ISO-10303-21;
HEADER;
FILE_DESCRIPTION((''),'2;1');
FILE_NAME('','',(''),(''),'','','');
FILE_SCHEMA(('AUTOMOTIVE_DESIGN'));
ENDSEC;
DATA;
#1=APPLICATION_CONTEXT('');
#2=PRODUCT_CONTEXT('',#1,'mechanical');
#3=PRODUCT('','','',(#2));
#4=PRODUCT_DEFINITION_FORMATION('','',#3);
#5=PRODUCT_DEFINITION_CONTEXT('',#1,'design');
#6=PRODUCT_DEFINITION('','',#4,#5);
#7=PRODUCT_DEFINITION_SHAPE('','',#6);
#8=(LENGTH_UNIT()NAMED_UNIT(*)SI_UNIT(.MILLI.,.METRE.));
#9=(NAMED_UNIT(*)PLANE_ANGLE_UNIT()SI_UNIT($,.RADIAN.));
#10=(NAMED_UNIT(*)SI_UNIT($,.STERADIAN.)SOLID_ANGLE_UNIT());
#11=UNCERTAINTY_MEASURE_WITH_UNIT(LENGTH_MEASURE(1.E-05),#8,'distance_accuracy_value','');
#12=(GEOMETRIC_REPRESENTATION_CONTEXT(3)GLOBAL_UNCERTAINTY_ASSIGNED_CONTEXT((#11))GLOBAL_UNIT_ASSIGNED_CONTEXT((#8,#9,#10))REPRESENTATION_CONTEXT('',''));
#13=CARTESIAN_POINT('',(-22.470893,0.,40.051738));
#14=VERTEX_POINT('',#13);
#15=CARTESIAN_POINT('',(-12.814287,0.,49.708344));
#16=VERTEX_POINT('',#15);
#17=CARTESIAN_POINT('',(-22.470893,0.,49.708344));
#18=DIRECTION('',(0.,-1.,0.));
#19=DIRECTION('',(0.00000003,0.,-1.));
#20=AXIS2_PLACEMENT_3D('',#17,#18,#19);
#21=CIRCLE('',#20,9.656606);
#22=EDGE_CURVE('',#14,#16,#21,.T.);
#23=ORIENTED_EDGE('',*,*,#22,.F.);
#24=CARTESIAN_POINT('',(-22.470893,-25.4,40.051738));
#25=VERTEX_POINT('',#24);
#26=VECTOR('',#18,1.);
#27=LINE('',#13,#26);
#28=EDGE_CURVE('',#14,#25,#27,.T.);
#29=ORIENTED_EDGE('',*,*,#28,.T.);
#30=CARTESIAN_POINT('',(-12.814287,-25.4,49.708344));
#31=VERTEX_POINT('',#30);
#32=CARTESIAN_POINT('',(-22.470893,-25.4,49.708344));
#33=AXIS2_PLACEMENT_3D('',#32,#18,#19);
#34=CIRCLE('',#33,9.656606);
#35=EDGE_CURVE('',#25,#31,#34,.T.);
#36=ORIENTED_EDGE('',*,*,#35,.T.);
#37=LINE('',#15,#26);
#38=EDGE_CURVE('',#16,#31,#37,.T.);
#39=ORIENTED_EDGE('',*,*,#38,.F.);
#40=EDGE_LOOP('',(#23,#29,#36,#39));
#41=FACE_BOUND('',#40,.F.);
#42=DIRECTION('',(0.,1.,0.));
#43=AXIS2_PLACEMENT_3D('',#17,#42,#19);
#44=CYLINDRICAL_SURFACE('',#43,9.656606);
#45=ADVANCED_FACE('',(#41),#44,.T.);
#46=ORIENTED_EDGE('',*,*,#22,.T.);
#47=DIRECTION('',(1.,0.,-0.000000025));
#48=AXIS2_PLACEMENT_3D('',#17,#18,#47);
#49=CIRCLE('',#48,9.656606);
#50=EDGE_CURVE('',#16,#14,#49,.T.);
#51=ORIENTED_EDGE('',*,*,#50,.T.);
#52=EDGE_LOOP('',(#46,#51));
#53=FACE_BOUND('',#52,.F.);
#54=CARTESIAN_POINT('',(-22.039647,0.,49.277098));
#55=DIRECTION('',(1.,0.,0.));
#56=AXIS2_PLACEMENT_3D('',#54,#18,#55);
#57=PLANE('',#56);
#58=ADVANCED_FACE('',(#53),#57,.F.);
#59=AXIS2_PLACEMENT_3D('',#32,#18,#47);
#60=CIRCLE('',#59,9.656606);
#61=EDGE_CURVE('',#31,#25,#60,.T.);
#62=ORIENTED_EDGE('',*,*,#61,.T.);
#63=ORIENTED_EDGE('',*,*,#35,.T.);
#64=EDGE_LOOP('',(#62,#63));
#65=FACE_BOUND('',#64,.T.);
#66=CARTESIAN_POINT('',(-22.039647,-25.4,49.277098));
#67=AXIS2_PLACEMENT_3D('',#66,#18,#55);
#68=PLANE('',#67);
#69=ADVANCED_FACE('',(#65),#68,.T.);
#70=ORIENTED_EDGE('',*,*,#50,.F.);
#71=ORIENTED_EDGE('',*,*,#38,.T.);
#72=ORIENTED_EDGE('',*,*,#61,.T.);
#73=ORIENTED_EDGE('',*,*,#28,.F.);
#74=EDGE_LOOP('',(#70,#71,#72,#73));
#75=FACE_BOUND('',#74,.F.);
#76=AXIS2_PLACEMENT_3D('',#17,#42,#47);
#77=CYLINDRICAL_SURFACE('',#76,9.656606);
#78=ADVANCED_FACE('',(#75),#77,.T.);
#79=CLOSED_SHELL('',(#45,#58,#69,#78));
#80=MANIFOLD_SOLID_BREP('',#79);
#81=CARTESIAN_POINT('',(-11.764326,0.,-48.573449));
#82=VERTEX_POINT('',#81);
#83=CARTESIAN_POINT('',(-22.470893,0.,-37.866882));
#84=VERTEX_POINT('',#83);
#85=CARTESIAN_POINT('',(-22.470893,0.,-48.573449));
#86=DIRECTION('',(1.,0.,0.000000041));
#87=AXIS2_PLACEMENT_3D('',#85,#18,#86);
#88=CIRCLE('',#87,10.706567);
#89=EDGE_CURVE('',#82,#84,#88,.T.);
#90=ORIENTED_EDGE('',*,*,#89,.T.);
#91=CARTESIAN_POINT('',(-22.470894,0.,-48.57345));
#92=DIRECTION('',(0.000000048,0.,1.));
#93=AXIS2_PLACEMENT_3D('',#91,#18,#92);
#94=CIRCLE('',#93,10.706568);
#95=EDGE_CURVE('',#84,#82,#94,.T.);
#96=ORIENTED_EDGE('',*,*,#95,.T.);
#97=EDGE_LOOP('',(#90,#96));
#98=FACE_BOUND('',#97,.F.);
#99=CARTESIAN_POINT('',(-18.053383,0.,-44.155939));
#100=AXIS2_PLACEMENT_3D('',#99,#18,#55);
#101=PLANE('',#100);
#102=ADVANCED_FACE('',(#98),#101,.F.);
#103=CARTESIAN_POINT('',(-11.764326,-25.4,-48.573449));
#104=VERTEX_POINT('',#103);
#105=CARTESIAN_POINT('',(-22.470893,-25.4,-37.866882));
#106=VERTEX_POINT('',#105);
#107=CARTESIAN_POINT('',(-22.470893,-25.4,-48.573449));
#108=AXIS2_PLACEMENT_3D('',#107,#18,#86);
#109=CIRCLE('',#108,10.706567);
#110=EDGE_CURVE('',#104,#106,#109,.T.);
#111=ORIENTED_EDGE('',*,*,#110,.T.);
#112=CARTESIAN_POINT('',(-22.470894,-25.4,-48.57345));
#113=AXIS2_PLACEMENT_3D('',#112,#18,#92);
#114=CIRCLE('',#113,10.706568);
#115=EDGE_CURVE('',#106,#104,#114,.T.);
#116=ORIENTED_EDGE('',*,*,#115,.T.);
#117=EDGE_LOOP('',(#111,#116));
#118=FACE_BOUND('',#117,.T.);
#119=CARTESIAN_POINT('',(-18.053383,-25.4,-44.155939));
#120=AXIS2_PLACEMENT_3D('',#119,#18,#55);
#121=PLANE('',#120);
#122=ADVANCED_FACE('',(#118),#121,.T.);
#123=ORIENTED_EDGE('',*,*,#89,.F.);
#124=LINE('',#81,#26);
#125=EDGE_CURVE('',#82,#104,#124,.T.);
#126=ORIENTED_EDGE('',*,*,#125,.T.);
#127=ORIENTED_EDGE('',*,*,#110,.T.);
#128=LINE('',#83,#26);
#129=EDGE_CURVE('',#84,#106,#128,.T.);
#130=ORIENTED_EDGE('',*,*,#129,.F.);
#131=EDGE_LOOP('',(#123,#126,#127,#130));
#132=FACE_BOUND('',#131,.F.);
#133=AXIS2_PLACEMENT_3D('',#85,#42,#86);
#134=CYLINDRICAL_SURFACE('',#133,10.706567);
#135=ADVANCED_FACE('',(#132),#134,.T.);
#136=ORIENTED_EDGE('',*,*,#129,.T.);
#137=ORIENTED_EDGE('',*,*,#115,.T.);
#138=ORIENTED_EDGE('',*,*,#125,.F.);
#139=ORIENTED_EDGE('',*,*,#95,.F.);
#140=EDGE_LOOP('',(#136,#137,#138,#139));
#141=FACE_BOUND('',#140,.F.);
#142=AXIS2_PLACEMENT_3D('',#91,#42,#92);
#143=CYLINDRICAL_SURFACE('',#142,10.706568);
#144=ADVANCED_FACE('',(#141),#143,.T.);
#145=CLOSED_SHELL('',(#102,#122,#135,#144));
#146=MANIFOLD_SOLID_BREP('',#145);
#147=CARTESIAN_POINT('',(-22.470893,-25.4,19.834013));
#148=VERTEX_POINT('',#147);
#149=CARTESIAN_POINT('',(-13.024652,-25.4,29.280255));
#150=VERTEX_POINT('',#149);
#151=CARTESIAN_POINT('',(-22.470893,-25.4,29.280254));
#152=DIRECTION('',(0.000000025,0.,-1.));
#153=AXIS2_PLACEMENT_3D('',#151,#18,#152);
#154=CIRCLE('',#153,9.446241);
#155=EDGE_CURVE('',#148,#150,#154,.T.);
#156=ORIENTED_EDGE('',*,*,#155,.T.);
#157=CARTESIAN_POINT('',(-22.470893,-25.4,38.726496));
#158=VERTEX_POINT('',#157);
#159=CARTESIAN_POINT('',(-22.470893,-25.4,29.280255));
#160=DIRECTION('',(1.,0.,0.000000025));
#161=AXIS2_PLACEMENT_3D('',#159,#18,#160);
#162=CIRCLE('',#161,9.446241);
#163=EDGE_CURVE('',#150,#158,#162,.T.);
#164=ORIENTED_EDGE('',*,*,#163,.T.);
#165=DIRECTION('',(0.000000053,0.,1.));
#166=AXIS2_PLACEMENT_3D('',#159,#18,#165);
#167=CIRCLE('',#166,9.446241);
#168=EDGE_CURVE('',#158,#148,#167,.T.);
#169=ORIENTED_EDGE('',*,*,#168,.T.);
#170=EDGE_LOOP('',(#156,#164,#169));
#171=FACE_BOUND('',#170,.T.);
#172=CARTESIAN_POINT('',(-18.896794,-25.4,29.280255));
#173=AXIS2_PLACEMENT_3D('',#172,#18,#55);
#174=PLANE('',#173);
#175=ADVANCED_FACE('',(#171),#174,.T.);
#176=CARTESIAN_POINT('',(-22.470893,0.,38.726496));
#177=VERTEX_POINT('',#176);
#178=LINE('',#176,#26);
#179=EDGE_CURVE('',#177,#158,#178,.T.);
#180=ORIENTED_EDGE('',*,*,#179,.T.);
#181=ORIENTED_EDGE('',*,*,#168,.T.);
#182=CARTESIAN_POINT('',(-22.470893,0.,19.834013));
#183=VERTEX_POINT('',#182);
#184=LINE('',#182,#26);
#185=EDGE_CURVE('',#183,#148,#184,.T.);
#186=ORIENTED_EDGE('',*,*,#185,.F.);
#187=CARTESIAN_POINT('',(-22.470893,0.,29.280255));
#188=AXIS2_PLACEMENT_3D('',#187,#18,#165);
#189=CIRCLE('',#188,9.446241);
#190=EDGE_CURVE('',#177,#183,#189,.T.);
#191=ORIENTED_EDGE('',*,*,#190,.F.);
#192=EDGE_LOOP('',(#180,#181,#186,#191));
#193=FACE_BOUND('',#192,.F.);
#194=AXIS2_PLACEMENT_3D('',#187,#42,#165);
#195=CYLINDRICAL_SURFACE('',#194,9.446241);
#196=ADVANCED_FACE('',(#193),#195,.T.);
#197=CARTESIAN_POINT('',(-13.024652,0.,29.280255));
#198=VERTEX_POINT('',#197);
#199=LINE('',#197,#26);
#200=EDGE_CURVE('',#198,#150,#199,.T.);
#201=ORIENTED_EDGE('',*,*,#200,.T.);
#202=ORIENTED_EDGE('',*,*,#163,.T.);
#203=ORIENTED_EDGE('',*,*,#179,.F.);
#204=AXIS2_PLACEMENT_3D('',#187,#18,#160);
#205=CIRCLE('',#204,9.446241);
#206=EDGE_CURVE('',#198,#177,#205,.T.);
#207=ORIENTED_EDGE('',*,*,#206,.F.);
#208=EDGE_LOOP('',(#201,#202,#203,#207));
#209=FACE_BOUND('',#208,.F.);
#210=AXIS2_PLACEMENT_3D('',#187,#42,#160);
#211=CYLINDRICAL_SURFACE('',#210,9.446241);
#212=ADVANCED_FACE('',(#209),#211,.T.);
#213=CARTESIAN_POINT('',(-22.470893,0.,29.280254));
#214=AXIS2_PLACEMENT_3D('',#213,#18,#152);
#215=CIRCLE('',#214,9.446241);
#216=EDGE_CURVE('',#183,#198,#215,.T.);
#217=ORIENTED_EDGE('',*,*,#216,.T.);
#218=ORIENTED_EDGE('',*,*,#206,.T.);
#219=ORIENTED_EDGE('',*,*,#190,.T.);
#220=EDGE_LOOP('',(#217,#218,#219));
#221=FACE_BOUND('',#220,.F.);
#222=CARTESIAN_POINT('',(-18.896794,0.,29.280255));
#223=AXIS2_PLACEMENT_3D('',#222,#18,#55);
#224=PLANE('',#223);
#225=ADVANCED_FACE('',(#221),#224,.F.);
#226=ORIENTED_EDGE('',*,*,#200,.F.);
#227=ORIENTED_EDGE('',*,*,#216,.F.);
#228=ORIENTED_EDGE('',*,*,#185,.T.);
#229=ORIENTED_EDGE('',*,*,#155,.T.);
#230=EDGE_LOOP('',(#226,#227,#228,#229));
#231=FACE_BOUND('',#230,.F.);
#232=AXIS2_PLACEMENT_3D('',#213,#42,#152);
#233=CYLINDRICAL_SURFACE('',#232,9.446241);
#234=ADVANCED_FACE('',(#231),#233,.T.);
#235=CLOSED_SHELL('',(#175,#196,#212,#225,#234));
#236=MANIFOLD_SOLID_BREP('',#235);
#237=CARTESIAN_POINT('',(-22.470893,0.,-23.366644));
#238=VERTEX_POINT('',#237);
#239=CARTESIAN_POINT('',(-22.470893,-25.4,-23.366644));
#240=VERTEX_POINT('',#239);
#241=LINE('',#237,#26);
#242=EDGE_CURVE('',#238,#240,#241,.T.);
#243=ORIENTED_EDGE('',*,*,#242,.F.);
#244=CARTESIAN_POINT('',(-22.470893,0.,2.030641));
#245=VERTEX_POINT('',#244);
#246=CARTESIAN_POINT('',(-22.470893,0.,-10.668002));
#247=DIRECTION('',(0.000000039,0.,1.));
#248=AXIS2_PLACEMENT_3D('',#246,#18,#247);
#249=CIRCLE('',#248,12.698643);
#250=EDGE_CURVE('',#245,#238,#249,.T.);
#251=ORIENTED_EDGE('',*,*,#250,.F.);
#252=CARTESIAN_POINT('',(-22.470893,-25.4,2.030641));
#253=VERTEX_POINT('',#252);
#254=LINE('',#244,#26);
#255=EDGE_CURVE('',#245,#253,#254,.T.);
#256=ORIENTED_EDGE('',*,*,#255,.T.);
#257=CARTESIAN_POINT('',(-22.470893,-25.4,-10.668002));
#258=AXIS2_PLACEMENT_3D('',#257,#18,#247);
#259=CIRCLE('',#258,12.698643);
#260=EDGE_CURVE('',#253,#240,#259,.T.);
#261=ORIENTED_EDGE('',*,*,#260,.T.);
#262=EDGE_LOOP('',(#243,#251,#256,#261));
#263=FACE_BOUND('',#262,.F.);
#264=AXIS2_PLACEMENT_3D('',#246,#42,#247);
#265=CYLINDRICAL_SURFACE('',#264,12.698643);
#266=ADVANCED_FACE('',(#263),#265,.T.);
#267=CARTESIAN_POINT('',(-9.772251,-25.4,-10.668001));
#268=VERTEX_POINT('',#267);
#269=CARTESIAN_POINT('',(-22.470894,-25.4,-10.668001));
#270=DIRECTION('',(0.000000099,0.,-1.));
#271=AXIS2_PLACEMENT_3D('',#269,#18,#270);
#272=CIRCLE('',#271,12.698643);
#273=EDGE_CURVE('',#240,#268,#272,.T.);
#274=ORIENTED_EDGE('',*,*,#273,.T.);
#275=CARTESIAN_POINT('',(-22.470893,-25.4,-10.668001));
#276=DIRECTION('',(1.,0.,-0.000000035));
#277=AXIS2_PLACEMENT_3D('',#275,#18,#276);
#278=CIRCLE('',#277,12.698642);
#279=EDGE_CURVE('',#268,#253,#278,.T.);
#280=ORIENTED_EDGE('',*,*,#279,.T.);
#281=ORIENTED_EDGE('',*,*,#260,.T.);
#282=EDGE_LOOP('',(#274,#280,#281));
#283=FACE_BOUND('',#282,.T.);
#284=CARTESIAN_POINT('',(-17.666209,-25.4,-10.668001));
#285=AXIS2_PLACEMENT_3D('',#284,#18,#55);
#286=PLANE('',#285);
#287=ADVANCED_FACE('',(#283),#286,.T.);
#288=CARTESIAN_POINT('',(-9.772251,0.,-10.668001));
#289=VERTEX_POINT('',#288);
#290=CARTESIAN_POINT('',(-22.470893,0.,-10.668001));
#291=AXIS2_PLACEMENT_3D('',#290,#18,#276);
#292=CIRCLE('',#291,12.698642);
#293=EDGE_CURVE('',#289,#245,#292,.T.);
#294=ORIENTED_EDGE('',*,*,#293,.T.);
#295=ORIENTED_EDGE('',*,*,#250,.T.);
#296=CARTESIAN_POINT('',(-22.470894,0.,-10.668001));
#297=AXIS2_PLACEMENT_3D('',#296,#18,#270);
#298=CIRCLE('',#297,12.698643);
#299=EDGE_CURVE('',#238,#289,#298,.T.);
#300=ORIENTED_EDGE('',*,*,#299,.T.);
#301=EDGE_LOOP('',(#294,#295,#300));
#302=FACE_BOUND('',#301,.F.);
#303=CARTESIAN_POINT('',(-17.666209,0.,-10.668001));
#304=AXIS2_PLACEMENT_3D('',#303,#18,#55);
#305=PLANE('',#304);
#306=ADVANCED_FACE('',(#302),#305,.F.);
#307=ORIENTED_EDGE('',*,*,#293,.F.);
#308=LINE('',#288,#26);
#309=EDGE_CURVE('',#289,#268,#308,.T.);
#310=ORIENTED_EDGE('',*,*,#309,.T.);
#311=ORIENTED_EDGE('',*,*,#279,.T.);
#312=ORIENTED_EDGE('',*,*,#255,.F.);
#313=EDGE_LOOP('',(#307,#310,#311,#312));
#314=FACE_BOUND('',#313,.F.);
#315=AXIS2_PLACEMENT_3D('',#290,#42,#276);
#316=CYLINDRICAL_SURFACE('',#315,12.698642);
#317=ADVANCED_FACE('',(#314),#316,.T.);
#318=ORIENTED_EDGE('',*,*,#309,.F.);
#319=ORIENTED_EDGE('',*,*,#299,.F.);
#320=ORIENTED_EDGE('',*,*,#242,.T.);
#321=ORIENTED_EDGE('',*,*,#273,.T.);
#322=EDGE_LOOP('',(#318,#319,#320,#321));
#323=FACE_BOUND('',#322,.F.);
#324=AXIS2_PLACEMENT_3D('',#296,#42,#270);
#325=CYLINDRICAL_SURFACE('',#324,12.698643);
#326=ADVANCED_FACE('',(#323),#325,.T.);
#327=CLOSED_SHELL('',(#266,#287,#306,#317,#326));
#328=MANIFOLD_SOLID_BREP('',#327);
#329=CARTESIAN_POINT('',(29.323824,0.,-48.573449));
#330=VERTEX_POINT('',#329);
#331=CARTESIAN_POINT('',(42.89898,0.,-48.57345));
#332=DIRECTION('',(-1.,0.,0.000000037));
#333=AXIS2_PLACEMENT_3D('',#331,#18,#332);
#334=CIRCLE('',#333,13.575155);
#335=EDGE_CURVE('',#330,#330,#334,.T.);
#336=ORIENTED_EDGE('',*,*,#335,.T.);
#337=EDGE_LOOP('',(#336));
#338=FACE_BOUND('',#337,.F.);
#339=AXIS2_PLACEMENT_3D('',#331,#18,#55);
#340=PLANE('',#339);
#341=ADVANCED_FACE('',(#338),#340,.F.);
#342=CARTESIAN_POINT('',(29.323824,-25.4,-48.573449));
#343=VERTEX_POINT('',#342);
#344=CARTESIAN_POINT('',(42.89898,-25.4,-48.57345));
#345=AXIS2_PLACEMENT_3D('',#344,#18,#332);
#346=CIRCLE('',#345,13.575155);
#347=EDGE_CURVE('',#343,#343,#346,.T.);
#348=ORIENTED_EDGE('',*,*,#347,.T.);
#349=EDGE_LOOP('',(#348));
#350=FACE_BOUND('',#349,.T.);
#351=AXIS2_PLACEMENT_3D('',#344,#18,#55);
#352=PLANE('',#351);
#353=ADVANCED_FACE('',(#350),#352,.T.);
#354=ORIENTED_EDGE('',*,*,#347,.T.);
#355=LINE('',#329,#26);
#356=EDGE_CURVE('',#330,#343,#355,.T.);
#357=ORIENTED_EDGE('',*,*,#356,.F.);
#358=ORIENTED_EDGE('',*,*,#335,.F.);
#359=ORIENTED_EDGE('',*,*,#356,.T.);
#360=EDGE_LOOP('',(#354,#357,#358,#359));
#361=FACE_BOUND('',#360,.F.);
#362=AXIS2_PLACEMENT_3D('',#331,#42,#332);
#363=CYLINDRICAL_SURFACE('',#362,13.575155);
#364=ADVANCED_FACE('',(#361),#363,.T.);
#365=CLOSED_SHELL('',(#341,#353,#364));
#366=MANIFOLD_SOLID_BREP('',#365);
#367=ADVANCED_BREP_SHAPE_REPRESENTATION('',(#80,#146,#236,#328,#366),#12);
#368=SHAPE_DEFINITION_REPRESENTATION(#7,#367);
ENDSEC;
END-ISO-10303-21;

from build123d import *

# Parameters (mm, degrees)
F1_DEPTH = 25.4


with BuildPart() as f1:
    # F0 (on Front) → F1 (new body)
    with BuildSketch(Plane.XZ):
        with BuildLine():
            ThreePointArc((56.474135, -48.573449), (42.898979, -34.998294), (29.323824, -48.573449))
            ThreePointArc((29.323824, -48.573449), (42.898979, -62.148605), (56.474135, -48.573449))
        make_face()
        with BuildLine():
            ThreePointArc((-11.764326, -48.573449), (-14.900207, -41.002763), (-22.470893, -37.866882))
            Line((-22.470893, -37.866882), (-22.470893, -48.573449))
            Line((-22.470893, -48.573449), (-11.764326, -48.573449))
        make_face()
        with BuildLine():
            Line((-22.470893, -48.573449), (-22.470893, -37.866882))
            ThreePointArc((-22.470893, -37.866882), (-30.04158, -56.144136), (-11.764326, -48.573449))
            Line((-11.764326, -48.573449), (-22.470893, -48.573449))
        make_face()
        with BuildLine():
            ThreePointArc((-9.772251, -10.668001), (-13.491597, -1.688705), (-22.470893, 2.030641))
            Line((-22.470893, 2.030641), (-22.470893, -23.366644))
            ThreePointArc((-22.470893, -23.366644), (-13.491597, -19.647297), (-9.772251, -10.668001))
        make_face()
        with BuildLine():
            Line((-22.470893, -23.366644), (-22.470893, 2.030641))
            ThreePointArc((-22.470893, 2.030641), (-35.169536, -10.668001), (-22.470893, -23.366644))
        make_face()
        with BuildLine():
            ThreePointArc((-13.024652, 29.280255), (-15.791392, 35.959756), (-22.470893, 38.726496))
            Line((-22.470893, 38.726496), (-22.470893, 19.834013))
            ThreePointArc((-22.470893, 19.834013), (-15.791392, 22.600753), (-13.024652, 29.280255))
        make_face()
        with BuildLine():
            Line((-22.470893, 19.834013), (-22.470893, 38.726496))
            ThreePointArc((-22.470893, 38.726496), (-31.917135, 29.280255), (-22.470893, 19.834013))
        make_face()
        with BuildLine():
            ThreePointArc((-12.814287, 49.708344), (-29.299145, 56.536596), (-22.470893, 40.051738))
            ThreePointArc((-22.470893, 40.051738), (-15.642642, 42.880092), (-12.814287, 49.708344))
        make_face()
    extrude(amount=F1_DEPTH)


solid = f1.part
